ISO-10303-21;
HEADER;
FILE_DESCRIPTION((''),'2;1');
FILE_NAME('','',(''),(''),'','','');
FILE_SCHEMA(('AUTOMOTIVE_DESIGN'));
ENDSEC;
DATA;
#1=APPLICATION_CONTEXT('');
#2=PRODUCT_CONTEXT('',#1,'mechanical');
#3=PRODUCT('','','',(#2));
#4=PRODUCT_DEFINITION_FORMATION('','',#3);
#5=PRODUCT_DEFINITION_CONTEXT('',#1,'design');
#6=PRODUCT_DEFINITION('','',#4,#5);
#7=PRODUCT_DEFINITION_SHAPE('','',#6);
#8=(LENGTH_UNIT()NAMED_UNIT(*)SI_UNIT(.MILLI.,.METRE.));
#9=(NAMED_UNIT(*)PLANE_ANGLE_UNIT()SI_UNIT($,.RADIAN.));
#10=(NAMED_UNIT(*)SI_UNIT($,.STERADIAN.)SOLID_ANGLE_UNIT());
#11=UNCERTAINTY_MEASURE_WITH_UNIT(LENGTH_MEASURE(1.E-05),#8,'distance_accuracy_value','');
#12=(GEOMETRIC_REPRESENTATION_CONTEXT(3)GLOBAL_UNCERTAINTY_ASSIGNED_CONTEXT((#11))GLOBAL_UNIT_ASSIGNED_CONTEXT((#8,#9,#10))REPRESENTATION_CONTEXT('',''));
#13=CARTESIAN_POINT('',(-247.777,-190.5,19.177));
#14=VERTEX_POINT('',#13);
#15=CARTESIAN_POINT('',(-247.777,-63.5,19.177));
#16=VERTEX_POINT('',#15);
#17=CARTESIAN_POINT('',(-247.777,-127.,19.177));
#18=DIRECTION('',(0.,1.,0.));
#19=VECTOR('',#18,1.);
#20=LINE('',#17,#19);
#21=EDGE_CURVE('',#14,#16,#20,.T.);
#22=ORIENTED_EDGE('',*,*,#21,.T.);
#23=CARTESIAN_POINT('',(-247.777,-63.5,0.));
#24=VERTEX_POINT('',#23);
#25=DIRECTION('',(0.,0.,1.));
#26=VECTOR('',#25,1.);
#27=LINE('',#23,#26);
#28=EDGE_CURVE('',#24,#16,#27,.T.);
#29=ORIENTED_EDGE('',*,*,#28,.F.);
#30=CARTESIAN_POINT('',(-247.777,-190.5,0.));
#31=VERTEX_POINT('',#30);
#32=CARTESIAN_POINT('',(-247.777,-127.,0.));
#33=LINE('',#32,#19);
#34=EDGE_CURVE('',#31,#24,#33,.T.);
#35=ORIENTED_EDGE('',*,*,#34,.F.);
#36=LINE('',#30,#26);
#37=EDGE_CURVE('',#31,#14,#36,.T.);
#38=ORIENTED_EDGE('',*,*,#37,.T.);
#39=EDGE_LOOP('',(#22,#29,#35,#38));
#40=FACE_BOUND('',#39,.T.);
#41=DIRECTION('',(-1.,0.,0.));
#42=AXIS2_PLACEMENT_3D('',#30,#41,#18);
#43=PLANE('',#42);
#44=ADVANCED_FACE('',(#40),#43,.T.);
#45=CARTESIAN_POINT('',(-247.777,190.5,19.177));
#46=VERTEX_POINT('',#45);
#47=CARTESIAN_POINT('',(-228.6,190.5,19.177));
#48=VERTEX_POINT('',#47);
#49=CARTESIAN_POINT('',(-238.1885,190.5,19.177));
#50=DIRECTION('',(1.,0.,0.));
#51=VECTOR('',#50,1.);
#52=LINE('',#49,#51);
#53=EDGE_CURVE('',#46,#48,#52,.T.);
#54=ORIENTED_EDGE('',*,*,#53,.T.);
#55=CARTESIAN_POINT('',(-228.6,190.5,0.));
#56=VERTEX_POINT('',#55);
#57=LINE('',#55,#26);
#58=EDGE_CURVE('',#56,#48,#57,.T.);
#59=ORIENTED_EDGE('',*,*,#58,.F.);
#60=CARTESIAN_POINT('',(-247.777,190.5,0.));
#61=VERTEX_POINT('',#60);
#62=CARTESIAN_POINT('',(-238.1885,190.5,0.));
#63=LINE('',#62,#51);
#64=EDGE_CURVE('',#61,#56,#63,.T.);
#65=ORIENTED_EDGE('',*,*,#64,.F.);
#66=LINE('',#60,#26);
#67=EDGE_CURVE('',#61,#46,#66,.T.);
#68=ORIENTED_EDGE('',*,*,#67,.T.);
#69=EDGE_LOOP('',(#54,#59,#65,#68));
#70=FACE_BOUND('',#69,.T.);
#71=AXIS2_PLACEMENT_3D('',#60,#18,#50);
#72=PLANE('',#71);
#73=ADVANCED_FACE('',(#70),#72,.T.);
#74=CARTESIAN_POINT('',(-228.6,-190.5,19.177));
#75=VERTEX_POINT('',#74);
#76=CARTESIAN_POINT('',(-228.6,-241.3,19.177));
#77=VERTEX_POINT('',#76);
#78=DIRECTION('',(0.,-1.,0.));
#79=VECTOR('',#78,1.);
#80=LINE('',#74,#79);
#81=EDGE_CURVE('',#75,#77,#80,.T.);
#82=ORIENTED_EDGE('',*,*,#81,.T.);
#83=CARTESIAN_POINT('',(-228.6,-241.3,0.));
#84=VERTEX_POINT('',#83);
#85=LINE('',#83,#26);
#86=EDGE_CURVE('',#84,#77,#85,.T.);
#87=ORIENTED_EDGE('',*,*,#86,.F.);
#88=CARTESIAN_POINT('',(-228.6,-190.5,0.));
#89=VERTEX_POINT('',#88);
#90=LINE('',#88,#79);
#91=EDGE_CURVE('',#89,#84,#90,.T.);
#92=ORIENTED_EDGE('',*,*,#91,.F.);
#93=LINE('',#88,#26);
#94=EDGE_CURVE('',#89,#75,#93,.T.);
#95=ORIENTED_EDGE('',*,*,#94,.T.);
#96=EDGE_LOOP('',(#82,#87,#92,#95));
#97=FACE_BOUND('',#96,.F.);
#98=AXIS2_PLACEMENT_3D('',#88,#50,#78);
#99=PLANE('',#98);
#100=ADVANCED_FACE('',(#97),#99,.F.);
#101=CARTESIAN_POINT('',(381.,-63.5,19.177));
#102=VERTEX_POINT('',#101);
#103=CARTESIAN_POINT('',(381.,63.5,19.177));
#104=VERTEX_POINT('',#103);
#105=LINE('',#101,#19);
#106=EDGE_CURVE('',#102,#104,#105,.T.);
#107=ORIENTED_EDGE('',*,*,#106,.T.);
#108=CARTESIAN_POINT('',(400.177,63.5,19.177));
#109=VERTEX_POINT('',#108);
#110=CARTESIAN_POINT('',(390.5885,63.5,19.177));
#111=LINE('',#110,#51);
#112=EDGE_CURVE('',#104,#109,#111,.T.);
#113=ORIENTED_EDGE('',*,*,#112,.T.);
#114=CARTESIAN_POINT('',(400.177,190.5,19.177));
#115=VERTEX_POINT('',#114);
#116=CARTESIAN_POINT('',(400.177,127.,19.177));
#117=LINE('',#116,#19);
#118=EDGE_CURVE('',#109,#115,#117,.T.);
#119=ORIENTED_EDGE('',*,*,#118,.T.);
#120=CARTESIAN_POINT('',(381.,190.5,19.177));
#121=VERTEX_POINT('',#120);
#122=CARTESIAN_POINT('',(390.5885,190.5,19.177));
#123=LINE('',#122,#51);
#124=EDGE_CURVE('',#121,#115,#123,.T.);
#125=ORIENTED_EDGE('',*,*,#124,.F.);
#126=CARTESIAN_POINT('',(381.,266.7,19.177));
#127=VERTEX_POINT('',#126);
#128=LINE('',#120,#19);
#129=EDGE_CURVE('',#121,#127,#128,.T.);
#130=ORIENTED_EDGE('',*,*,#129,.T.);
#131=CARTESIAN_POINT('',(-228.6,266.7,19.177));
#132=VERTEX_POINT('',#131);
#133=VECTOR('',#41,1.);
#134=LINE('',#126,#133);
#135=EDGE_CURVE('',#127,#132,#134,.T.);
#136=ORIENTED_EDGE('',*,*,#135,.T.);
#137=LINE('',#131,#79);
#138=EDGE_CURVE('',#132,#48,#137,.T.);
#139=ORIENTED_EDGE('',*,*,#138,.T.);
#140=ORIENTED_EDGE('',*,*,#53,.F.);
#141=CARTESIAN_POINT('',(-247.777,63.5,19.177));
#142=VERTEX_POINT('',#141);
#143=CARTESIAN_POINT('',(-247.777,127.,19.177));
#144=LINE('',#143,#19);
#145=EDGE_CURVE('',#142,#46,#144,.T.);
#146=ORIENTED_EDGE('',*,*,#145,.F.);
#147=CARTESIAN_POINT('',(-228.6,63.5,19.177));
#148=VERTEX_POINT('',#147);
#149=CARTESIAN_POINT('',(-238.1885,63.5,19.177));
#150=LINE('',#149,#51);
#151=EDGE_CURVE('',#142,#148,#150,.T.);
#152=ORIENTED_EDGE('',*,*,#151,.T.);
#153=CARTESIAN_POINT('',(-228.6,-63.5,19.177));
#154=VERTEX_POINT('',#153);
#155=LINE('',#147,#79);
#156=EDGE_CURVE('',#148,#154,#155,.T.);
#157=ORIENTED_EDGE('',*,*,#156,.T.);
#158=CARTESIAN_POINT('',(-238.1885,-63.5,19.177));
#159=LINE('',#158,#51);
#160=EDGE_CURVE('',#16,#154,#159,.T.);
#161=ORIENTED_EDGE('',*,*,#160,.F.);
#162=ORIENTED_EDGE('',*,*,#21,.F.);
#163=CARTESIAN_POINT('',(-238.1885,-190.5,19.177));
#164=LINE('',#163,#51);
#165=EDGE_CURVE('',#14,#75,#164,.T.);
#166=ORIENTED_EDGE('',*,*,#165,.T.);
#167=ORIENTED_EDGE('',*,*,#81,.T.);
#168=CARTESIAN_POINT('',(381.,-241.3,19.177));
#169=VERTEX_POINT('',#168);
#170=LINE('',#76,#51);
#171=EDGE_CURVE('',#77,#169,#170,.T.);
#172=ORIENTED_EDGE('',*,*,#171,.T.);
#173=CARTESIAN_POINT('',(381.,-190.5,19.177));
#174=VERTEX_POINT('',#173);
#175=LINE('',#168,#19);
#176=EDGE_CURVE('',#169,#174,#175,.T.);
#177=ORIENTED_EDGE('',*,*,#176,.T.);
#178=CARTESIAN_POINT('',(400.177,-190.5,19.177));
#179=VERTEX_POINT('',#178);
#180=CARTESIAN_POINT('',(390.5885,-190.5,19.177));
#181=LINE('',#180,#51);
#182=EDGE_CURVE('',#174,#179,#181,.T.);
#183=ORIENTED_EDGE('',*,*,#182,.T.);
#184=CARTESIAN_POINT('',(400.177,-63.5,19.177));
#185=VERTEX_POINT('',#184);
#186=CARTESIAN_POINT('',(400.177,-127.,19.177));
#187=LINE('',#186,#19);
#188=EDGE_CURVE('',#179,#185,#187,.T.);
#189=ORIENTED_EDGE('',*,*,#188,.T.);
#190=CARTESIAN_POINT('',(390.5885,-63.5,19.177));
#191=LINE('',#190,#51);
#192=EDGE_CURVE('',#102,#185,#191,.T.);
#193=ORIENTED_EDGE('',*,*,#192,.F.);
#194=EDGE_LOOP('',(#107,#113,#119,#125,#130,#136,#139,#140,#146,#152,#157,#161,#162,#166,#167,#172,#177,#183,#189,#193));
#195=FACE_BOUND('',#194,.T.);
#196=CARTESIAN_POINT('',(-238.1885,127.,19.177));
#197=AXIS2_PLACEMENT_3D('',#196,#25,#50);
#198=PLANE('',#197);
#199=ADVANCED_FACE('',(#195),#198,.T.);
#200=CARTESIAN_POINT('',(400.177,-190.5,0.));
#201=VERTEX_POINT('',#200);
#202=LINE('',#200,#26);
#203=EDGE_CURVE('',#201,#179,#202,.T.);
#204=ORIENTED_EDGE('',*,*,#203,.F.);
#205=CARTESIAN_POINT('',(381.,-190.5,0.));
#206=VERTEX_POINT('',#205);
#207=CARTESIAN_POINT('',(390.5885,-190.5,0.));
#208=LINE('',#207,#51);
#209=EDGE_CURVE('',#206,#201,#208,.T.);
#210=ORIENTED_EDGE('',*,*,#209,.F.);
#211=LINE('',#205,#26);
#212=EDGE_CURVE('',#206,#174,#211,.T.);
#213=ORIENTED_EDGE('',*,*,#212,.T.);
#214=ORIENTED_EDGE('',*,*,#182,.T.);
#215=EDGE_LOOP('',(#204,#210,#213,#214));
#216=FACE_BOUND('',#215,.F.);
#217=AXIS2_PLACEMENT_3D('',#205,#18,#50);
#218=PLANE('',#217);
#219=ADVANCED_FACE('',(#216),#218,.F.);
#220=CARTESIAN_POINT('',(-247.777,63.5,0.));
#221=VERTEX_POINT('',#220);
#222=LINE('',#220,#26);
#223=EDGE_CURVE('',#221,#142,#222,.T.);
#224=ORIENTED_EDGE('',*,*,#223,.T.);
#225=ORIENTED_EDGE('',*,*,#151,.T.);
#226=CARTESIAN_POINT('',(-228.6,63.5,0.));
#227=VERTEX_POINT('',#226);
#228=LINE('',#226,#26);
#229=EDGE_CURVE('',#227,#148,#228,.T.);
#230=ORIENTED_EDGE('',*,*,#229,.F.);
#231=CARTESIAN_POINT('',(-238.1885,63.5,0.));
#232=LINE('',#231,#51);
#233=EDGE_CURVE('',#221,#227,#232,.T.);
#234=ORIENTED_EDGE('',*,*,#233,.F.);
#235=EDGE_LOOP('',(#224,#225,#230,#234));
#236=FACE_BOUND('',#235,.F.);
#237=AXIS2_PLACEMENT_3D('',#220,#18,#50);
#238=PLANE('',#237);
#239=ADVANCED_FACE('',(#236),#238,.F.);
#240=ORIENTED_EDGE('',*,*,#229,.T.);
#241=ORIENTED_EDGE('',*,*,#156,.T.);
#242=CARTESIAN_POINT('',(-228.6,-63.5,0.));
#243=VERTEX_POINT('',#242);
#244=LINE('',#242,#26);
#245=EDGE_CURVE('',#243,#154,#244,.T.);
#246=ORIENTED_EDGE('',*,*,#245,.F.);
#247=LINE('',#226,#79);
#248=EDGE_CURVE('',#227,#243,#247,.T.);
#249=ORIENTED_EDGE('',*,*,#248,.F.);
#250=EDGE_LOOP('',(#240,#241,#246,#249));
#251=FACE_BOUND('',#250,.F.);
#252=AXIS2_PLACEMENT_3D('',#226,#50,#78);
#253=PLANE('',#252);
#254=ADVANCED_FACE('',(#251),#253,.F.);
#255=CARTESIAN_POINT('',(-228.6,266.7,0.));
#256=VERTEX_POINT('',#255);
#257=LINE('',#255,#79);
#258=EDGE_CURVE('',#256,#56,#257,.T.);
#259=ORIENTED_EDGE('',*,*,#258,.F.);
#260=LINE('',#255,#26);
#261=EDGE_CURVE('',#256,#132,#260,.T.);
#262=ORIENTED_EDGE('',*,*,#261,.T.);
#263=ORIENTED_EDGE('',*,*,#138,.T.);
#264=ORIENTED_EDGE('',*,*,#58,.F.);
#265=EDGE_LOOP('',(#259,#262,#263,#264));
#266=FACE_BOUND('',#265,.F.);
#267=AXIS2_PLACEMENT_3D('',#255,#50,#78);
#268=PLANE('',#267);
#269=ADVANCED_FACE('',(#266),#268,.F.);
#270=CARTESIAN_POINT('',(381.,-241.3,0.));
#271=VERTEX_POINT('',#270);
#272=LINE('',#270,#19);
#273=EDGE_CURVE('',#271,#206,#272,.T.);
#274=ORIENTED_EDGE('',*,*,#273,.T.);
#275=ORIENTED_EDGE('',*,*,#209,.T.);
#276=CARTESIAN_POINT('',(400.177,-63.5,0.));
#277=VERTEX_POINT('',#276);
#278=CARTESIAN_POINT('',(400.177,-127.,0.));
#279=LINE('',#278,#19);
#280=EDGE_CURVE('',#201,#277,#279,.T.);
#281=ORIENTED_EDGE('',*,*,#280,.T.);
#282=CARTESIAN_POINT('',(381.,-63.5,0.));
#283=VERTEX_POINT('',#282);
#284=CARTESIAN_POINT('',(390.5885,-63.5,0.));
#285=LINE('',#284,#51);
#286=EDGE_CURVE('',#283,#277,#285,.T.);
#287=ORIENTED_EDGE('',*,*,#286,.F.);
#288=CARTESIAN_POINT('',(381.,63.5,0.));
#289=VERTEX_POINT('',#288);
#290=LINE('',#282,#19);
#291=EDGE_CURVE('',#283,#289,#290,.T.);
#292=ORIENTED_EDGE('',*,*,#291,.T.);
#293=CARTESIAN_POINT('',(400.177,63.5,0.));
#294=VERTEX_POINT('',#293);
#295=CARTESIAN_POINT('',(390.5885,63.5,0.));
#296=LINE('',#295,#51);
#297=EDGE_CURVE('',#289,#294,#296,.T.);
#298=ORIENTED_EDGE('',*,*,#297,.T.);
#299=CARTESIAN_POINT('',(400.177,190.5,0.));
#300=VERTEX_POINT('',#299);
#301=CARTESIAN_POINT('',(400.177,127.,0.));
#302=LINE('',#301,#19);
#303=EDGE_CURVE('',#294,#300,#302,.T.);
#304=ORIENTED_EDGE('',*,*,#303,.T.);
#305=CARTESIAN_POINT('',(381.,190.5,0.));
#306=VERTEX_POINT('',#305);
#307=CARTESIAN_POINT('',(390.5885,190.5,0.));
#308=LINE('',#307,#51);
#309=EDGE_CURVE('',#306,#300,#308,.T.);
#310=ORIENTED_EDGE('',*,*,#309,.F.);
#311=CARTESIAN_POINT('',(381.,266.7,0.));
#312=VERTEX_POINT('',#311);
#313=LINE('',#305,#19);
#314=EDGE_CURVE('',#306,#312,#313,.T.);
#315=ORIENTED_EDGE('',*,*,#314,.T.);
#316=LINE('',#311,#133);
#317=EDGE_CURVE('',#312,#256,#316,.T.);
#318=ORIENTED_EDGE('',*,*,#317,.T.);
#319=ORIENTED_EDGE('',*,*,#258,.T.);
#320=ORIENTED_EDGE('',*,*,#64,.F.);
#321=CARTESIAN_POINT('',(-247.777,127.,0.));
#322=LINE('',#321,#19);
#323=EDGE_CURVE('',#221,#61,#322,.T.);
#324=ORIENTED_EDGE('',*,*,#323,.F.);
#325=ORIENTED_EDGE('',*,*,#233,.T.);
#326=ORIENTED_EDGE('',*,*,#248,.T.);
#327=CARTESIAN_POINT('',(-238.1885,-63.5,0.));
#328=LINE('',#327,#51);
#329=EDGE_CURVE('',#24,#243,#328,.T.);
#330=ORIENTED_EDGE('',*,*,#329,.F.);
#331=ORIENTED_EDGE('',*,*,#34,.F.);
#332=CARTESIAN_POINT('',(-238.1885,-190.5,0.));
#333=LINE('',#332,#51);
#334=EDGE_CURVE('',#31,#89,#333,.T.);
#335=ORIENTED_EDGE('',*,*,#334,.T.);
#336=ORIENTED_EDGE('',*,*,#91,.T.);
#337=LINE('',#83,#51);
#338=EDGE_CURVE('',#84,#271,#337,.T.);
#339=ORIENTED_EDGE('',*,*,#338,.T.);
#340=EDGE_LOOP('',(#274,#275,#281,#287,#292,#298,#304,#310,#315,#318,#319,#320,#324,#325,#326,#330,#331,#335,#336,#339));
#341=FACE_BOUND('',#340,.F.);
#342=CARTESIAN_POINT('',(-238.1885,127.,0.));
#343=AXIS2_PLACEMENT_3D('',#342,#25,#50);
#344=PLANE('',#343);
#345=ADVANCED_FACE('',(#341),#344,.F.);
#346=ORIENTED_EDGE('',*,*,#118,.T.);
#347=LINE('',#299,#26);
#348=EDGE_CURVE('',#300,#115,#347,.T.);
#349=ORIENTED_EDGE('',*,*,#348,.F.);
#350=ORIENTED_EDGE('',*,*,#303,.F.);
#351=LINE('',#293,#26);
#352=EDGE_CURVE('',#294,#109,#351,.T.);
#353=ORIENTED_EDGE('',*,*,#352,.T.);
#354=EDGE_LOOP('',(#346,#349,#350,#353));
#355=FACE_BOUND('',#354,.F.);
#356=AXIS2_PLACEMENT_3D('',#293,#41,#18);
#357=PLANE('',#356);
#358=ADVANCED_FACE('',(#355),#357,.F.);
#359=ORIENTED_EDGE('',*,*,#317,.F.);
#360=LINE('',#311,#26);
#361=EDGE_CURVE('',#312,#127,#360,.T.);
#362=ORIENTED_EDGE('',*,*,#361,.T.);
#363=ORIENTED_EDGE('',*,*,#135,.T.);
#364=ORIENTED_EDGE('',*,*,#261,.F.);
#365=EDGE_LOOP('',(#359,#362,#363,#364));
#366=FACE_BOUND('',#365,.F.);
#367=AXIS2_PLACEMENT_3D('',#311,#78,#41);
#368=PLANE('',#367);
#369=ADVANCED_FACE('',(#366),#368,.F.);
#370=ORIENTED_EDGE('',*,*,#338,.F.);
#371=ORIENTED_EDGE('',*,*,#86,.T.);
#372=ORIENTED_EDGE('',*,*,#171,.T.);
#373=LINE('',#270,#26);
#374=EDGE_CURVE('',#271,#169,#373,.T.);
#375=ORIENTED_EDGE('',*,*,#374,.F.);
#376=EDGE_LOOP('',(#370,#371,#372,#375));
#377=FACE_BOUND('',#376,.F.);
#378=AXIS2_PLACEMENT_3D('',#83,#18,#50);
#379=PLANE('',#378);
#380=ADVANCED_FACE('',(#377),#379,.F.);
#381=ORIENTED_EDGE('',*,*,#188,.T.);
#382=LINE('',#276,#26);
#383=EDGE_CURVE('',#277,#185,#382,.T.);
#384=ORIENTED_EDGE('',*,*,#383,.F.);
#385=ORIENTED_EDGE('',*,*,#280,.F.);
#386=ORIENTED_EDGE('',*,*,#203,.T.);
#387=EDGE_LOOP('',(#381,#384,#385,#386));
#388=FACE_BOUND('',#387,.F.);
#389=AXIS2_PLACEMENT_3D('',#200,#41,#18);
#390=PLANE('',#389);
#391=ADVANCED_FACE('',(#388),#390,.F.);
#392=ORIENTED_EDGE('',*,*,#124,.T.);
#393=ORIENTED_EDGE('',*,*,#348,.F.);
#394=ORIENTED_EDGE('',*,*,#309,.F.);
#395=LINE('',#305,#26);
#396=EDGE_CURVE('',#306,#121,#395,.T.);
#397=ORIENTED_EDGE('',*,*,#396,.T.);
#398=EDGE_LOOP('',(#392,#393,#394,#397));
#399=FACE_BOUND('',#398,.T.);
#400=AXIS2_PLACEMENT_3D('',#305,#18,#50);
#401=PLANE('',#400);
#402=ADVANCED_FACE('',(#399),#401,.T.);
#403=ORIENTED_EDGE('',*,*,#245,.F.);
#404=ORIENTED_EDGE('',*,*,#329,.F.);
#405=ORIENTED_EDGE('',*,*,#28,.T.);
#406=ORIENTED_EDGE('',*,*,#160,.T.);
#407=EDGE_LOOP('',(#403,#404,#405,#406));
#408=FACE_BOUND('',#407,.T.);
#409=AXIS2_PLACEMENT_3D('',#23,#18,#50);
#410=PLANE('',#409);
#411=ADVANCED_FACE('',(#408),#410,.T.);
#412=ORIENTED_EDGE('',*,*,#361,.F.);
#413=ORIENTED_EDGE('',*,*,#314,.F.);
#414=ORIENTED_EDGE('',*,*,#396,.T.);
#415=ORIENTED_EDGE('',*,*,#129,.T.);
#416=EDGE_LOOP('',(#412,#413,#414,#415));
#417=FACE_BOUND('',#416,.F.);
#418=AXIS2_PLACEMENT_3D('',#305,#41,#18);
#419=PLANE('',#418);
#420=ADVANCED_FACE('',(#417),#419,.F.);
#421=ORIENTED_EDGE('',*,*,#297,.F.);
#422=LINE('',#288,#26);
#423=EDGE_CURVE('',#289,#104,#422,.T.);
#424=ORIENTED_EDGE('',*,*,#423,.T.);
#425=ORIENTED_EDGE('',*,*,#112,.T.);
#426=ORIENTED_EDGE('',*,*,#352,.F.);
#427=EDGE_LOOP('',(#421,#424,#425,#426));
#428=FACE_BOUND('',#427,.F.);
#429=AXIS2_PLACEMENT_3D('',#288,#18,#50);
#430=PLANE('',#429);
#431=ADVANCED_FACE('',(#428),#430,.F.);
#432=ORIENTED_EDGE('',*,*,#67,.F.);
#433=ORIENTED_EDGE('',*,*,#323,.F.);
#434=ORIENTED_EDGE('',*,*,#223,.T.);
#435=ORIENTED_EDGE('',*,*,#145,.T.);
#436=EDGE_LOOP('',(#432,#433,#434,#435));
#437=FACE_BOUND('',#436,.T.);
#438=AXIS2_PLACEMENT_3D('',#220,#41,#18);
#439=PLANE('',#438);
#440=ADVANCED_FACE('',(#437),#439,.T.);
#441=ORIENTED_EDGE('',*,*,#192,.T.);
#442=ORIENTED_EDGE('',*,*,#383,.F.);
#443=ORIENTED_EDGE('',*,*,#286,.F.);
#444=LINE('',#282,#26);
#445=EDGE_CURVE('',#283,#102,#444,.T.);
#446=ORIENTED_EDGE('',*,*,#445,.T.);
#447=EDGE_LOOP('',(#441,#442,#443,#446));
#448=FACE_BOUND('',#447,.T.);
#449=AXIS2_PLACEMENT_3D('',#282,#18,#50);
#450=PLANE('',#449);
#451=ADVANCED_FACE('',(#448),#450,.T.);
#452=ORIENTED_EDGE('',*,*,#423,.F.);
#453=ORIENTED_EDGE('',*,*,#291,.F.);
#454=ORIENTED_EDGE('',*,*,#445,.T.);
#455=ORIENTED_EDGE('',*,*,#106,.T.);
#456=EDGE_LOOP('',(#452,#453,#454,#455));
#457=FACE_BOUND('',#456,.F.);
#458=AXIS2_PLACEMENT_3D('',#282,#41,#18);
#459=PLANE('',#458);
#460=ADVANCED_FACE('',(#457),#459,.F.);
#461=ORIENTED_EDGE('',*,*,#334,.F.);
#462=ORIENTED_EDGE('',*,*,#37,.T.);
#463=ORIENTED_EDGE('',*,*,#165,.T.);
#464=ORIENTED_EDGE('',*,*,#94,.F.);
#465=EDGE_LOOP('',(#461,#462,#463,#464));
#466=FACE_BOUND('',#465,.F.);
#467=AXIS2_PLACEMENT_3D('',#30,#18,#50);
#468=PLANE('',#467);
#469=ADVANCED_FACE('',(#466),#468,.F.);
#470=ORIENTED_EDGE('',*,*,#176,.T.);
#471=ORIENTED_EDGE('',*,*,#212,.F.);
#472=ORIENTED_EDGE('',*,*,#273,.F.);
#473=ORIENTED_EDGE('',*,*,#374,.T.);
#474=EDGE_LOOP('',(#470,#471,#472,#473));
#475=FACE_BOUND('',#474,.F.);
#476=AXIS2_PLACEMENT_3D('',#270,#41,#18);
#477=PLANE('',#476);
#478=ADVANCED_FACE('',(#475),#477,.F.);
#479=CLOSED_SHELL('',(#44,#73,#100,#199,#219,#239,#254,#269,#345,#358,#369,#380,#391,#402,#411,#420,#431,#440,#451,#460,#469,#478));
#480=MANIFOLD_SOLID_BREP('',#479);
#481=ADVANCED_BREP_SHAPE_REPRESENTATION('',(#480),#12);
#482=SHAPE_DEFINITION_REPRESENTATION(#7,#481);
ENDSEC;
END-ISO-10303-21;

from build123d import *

# Parameters (mm, degrees)
F0_W     = 19.177
F0_H     = 127
F1_DEPTH = 19.177


with BuildPart() as f1:
    # F0 (on Top) → F1 (new body)
    with BuildSketch(Plane.XY):
        with Locations((-238.1885, 127)):
            Rectangle(F0_W, F0_H)
        with Locations((-238.1885, -127)):
            Rectangle(F0_W, F0_H)
        with Locations((390.5885, -127)):
            Rectangle(F0_W, F0_H)
        with Locations((390.5885, 127)):
            Rectangle(F0_W, F0_H)
        Polygon((381, 266.7), (-228.6, 266.7), (-228.6, 190.5), (-228.6, 63.5), (-228.6, -63.5), (-228.6, -190.5), (-228.6, -241.3), (381, -241.3), (381, -190.5), (381, -63.5), (381, 63.5), (381, 190.5), align=None)
    extrude(amount=F1_DEPTH)


solid = f1.part
